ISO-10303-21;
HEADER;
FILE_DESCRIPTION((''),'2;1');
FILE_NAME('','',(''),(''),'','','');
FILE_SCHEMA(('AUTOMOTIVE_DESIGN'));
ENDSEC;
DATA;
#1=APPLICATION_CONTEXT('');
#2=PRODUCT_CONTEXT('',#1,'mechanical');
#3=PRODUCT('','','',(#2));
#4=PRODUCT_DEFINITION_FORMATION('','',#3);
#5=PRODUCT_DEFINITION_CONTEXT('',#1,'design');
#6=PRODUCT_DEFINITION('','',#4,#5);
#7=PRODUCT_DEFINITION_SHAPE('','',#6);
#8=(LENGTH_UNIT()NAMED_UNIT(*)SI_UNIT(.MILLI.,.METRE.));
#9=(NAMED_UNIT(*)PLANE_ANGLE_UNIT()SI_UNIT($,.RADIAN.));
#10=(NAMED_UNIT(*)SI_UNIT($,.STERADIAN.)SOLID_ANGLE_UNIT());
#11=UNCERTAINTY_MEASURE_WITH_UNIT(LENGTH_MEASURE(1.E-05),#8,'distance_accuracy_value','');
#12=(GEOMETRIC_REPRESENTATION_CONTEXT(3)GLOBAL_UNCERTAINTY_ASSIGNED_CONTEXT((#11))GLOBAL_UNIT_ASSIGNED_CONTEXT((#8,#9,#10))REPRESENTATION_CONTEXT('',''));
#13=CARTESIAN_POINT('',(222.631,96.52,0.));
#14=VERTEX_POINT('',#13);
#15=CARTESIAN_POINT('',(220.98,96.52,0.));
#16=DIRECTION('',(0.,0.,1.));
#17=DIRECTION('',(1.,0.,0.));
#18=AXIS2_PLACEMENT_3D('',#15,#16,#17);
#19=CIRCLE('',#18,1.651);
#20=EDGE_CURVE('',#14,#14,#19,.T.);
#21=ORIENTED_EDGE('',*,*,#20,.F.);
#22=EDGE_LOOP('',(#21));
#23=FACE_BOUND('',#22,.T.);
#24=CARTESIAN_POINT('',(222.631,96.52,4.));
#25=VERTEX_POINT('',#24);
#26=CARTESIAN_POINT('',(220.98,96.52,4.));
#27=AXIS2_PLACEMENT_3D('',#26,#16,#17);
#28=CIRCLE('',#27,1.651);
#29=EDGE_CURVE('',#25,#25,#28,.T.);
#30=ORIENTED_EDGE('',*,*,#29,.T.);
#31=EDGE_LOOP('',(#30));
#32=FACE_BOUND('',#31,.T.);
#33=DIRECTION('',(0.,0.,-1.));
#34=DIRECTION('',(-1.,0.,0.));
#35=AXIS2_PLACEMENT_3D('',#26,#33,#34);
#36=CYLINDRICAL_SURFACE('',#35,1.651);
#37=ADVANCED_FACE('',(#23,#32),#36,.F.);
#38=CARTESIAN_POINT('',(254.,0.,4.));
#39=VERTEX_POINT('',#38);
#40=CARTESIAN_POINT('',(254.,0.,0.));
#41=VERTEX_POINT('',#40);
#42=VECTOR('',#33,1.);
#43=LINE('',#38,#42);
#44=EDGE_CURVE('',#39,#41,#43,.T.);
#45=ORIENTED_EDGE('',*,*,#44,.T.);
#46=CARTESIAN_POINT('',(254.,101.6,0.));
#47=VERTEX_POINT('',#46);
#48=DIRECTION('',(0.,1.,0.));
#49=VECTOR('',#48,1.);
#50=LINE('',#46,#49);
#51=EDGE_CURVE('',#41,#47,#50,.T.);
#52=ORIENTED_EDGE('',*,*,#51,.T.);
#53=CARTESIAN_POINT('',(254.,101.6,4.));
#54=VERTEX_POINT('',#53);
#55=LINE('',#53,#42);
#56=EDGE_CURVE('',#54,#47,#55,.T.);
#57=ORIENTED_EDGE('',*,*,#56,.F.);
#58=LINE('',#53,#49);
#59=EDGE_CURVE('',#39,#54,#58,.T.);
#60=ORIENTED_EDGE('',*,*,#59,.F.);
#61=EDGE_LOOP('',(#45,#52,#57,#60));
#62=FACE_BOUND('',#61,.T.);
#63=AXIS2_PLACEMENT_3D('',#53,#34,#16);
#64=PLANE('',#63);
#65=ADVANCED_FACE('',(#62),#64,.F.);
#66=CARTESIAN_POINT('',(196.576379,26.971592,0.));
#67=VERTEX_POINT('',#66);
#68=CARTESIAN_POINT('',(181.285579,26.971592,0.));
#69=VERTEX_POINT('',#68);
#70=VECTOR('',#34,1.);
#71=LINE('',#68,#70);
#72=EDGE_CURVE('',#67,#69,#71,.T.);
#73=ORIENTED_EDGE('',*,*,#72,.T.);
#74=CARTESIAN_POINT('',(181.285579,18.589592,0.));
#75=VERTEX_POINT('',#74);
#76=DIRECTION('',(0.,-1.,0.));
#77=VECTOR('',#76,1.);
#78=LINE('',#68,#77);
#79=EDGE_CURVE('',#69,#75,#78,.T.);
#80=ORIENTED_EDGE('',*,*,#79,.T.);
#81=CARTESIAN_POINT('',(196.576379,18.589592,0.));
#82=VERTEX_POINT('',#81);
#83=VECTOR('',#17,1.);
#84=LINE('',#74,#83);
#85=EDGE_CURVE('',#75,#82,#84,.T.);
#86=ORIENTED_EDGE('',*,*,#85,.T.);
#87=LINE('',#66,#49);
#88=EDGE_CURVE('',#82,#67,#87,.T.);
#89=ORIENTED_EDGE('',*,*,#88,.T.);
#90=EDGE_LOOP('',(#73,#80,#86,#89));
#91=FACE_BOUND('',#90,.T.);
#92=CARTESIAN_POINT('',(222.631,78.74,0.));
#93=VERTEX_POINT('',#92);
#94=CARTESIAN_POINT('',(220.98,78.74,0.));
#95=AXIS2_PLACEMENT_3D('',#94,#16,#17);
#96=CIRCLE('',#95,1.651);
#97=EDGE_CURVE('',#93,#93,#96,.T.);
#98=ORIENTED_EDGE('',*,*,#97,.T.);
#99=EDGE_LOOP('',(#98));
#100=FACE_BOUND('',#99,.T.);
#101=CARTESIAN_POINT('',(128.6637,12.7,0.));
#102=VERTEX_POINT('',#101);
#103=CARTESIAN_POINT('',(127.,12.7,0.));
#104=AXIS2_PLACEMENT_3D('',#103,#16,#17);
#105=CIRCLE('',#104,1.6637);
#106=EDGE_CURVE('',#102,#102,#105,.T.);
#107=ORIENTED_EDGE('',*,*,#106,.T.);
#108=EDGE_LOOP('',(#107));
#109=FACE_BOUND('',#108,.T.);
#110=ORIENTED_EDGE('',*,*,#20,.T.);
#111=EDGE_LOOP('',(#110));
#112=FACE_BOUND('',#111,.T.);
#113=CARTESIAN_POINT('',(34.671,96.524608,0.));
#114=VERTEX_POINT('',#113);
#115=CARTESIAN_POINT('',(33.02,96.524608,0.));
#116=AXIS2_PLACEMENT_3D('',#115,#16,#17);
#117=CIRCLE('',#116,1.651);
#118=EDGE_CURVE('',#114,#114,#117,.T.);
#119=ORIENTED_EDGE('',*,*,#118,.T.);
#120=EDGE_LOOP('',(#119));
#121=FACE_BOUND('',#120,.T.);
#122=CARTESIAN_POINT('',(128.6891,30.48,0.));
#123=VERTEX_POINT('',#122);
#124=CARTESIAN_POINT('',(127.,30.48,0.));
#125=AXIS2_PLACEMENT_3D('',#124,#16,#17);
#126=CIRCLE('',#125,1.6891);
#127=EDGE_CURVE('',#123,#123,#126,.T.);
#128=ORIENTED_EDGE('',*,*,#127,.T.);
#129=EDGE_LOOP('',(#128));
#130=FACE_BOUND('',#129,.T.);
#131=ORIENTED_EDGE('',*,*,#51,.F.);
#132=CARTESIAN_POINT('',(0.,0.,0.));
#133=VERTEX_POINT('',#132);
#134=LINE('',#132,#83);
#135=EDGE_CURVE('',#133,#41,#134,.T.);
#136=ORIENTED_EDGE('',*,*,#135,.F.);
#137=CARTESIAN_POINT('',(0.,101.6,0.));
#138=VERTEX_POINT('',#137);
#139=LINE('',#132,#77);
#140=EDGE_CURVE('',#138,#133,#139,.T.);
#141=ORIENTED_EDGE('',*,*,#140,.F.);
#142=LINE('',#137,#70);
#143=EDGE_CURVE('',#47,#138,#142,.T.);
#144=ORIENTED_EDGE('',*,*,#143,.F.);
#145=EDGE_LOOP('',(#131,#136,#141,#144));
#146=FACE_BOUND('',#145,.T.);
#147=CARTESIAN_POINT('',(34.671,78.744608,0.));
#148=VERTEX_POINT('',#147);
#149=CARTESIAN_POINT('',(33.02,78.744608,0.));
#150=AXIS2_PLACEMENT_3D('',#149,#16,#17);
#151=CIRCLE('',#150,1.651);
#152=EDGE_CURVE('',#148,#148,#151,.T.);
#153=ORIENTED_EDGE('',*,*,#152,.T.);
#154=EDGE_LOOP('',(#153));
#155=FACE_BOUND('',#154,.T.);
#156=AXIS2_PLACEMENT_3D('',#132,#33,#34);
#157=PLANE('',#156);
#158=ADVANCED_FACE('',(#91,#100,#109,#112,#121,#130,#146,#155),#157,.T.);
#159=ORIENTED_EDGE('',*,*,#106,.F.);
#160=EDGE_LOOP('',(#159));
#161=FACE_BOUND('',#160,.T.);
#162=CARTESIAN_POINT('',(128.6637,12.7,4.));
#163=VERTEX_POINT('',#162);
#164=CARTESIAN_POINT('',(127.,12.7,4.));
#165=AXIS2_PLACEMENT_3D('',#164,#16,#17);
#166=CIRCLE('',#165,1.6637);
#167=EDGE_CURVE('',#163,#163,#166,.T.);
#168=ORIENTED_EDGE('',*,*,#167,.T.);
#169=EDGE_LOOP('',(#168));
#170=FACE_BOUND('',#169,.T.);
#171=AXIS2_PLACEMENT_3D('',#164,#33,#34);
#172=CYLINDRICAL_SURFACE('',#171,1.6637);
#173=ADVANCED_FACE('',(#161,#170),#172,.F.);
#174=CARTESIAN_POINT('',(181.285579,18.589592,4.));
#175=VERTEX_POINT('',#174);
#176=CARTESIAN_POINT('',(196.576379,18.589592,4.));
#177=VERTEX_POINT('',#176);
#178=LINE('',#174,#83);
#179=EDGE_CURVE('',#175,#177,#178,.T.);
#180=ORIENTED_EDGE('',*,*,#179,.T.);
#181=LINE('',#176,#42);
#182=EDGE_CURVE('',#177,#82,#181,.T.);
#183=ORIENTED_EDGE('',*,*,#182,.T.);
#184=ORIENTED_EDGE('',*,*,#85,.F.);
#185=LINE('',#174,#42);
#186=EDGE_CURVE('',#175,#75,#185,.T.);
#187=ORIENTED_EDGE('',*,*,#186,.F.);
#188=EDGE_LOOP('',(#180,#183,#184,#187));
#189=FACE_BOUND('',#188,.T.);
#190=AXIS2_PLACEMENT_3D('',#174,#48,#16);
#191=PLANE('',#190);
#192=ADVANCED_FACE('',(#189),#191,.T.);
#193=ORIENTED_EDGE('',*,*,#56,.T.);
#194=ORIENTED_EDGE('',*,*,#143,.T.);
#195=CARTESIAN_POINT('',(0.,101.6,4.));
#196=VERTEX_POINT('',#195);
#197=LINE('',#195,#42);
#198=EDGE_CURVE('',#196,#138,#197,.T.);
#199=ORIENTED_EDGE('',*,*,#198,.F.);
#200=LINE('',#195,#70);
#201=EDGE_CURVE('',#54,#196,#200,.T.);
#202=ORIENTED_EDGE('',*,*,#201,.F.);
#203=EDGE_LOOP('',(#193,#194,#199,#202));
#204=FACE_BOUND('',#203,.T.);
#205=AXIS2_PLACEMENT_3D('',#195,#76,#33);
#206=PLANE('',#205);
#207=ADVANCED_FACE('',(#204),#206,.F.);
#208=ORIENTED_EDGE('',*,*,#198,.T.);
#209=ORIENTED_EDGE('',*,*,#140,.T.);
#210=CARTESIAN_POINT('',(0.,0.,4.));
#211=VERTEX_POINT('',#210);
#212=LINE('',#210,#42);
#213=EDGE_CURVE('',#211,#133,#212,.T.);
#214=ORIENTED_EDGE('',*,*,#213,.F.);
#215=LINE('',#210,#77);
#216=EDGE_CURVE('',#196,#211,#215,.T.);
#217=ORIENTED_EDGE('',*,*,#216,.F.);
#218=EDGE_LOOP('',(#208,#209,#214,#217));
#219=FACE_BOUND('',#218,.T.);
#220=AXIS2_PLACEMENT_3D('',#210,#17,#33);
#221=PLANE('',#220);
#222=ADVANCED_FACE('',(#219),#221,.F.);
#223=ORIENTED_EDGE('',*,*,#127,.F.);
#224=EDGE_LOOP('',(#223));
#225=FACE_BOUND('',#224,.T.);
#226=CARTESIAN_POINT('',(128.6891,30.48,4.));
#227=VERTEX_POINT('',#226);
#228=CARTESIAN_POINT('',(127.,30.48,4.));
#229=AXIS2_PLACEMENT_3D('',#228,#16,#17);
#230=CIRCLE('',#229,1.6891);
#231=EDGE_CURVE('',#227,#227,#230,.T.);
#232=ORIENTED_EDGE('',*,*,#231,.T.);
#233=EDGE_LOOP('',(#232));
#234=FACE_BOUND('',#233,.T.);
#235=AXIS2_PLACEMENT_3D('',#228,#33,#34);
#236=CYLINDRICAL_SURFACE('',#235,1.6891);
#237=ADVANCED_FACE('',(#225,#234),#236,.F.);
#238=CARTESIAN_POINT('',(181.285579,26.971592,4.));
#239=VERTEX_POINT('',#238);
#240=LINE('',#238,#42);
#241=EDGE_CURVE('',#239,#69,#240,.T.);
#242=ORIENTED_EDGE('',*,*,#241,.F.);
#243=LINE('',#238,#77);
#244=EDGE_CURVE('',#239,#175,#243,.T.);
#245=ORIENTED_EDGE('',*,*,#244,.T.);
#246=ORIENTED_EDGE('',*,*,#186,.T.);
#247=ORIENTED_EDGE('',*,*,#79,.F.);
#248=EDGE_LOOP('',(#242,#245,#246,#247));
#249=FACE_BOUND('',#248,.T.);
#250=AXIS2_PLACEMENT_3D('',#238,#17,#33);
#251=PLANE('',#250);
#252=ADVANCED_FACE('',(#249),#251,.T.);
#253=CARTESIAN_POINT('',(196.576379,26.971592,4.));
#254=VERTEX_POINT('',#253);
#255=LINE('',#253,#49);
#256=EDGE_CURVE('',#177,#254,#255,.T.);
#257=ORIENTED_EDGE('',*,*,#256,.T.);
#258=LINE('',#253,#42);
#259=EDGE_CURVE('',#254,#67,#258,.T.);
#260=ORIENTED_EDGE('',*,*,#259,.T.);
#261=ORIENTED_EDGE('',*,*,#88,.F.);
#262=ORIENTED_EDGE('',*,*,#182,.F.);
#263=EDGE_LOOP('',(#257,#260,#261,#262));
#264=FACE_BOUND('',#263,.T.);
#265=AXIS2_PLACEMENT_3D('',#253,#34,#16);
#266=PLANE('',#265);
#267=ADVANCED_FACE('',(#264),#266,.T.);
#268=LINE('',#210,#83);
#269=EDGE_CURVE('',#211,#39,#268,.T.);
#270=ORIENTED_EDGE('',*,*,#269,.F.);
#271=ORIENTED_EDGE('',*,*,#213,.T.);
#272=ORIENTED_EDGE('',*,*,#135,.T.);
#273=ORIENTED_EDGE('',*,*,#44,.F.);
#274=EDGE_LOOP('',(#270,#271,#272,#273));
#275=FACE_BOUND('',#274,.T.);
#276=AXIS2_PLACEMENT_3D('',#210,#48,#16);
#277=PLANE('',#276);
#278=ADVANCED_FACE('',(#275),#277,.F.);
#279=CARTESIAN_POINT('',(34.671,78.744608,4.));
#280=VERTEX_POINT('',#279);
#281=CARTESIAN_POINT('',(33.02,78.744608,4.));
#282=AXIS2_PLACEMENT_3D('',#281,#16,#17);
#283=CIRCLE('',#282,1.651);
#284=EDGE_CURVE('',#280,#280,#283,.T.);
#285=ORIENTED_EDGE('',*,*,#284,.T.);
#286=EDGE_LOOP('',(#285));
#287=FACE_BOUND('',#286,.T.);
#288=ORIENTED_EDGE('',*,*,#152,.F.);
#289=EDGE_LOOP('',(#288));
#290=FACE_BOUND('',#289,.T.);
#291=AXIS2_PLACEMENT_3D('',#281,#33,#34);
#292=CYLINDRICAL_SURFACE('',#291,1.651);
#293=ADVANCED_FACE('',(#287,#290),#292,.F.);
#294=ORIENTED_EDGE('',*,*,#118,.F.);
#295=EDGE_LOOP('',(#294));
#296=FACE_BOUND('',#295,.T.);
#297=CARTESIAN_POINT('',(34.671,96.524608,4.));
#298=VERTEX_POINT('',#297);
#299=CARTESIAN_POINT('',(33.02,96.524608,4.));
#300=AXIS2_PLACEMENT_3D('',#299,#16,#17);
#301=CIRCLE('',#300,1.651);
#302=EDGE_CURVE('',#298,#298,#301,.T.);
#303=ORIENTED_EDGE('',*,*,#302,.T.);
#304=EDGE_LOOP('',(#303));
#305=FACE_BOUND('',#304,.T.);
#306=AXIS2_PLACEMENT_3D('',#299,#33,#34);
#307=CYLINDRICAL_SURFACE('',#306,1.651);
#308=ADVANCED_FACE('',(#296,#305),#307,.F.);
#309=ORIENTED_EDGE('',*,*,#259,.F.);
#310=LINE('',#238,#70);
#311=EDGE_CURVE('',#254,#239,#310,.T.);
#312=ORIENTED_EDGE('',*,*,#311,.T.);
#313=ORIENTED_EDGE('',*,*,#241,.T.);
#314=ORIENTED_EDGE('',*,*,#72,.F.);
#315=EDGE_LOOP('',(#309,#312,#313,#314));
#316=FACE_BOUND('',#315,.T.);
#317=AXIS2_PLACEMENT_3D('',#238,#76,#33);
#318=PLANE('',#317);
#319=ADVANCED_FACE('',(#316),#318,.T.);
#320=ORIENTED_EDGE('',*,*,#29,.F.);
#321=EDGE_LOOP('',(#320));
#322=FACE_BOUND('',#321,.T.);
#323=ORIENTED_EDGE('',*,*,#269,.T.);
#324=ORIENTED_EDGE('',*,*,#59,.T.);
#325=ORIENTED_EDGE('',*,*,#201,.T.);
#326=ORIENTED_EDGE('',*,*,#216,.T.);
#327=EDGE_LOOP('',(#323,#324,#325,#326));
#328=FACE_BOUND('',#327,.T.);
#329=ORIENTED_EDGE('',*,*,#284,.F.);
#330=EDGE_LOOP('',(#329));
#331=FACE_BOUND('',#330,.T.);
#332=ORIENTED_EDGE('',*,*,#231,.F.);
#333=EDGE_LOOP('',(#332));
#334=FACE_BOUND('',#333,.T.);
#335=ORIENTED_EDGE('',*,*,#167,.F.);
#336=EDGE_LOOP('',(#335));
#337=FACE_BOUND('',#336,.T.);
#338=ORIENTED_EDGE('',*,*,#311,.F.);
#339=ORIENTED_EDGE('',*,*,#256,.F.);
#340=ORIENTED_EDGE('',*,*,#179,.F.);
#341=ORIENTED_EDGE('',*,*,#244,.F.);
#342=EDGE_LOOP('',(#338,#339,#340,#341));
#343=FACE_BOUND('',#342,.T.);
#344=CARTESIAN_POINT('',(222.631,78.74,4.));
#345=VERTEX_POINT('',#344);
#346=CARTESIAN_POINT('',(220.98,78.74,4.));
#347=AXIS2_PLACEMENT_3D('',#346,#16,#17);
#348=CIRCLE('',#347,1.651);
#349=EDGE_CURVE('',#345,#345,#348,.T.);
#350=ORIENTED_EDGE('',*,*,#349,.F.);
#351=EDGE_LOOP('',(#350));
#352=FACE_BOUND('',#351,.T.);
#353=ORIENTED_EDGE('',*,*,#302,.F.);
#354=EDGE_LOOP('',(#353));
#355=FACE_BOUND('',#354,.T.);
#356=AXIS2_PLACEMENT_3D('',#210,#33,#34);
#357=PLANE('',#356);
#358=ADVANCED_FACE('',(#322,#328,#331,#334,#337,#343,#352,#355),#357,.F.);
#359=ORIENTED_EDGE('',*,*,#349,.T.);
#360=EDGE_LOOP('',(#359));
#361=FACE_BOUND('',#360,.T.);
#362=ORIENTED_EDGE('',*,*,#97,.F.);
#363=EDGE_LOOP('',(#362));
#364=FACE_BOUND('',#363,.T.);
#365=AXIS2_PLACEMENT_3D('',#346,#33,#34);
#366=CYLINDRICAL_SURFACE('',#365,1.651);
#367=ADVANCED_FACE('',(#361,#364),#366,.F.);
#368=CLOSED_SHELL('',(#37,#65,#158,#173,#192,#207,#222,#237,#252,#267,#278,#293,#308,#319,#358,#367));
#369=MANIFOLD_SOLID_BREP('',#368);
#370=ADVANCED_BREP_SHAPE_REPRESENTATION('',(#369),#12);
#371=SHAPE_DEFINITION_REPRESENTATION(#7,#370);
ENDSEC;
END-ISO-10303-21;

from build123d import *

# Parameters (mm, degrees)
SKETCH1_W           = 254
SKETCH1_H           = 101.6
SKETCH1_R           = 1.651
SKETCH1_R_2         = 1.6891
SKETCH1_R_3         = 1.6637
SKETCH1_W_2         = 15.2908
SKETCH1_H_2         = 8.382
BOSS_EXTRUDE1_DEPTH = 4


with BuildPart() as part:
    # Sketch1 → Boss-Extrude1 (new body)
    with BuildSketch(Plane.XY):
        with Locations((127, 50.8)):
            Rectangle(SKETCH1_W, SKETCH1_H)
        with Locations((33.02, 96.524607502)):
            Circle(SKETCH1_R, mode=Mode.SUBTRACT)
        with Locations((33.019999679, 78.744607502)):
            Circle(SKETCH1_R, mode=Mode.SUBTRACT)
        with Locations((127, 30.48)):
            Circle(SKETCH1_R_2, mode=Mode.SUBTRACT)
        with Locations((127, 12.7)):
            Circle(SKETCH1_R_3, mode=Mode.SUBTRACT)
        with Locations((220.98, 96.52)):
            Circle(SKETCH1_R, mode=Mode.SUBTRACT)
        with Locations((220.98, 78.74)):
            Circle(SKETCH1_R, mode=Mode.SUBTRACT)
        with Locations((188.930978973, 22.780591914)):
            Rectangle(SKETCH1_W_2, SKETCH1_H_2, mode=Mode.SUBTRACT)
    extrude(amount=BOSS_EXTRUDE1_DEPTH)


solid = part.part
